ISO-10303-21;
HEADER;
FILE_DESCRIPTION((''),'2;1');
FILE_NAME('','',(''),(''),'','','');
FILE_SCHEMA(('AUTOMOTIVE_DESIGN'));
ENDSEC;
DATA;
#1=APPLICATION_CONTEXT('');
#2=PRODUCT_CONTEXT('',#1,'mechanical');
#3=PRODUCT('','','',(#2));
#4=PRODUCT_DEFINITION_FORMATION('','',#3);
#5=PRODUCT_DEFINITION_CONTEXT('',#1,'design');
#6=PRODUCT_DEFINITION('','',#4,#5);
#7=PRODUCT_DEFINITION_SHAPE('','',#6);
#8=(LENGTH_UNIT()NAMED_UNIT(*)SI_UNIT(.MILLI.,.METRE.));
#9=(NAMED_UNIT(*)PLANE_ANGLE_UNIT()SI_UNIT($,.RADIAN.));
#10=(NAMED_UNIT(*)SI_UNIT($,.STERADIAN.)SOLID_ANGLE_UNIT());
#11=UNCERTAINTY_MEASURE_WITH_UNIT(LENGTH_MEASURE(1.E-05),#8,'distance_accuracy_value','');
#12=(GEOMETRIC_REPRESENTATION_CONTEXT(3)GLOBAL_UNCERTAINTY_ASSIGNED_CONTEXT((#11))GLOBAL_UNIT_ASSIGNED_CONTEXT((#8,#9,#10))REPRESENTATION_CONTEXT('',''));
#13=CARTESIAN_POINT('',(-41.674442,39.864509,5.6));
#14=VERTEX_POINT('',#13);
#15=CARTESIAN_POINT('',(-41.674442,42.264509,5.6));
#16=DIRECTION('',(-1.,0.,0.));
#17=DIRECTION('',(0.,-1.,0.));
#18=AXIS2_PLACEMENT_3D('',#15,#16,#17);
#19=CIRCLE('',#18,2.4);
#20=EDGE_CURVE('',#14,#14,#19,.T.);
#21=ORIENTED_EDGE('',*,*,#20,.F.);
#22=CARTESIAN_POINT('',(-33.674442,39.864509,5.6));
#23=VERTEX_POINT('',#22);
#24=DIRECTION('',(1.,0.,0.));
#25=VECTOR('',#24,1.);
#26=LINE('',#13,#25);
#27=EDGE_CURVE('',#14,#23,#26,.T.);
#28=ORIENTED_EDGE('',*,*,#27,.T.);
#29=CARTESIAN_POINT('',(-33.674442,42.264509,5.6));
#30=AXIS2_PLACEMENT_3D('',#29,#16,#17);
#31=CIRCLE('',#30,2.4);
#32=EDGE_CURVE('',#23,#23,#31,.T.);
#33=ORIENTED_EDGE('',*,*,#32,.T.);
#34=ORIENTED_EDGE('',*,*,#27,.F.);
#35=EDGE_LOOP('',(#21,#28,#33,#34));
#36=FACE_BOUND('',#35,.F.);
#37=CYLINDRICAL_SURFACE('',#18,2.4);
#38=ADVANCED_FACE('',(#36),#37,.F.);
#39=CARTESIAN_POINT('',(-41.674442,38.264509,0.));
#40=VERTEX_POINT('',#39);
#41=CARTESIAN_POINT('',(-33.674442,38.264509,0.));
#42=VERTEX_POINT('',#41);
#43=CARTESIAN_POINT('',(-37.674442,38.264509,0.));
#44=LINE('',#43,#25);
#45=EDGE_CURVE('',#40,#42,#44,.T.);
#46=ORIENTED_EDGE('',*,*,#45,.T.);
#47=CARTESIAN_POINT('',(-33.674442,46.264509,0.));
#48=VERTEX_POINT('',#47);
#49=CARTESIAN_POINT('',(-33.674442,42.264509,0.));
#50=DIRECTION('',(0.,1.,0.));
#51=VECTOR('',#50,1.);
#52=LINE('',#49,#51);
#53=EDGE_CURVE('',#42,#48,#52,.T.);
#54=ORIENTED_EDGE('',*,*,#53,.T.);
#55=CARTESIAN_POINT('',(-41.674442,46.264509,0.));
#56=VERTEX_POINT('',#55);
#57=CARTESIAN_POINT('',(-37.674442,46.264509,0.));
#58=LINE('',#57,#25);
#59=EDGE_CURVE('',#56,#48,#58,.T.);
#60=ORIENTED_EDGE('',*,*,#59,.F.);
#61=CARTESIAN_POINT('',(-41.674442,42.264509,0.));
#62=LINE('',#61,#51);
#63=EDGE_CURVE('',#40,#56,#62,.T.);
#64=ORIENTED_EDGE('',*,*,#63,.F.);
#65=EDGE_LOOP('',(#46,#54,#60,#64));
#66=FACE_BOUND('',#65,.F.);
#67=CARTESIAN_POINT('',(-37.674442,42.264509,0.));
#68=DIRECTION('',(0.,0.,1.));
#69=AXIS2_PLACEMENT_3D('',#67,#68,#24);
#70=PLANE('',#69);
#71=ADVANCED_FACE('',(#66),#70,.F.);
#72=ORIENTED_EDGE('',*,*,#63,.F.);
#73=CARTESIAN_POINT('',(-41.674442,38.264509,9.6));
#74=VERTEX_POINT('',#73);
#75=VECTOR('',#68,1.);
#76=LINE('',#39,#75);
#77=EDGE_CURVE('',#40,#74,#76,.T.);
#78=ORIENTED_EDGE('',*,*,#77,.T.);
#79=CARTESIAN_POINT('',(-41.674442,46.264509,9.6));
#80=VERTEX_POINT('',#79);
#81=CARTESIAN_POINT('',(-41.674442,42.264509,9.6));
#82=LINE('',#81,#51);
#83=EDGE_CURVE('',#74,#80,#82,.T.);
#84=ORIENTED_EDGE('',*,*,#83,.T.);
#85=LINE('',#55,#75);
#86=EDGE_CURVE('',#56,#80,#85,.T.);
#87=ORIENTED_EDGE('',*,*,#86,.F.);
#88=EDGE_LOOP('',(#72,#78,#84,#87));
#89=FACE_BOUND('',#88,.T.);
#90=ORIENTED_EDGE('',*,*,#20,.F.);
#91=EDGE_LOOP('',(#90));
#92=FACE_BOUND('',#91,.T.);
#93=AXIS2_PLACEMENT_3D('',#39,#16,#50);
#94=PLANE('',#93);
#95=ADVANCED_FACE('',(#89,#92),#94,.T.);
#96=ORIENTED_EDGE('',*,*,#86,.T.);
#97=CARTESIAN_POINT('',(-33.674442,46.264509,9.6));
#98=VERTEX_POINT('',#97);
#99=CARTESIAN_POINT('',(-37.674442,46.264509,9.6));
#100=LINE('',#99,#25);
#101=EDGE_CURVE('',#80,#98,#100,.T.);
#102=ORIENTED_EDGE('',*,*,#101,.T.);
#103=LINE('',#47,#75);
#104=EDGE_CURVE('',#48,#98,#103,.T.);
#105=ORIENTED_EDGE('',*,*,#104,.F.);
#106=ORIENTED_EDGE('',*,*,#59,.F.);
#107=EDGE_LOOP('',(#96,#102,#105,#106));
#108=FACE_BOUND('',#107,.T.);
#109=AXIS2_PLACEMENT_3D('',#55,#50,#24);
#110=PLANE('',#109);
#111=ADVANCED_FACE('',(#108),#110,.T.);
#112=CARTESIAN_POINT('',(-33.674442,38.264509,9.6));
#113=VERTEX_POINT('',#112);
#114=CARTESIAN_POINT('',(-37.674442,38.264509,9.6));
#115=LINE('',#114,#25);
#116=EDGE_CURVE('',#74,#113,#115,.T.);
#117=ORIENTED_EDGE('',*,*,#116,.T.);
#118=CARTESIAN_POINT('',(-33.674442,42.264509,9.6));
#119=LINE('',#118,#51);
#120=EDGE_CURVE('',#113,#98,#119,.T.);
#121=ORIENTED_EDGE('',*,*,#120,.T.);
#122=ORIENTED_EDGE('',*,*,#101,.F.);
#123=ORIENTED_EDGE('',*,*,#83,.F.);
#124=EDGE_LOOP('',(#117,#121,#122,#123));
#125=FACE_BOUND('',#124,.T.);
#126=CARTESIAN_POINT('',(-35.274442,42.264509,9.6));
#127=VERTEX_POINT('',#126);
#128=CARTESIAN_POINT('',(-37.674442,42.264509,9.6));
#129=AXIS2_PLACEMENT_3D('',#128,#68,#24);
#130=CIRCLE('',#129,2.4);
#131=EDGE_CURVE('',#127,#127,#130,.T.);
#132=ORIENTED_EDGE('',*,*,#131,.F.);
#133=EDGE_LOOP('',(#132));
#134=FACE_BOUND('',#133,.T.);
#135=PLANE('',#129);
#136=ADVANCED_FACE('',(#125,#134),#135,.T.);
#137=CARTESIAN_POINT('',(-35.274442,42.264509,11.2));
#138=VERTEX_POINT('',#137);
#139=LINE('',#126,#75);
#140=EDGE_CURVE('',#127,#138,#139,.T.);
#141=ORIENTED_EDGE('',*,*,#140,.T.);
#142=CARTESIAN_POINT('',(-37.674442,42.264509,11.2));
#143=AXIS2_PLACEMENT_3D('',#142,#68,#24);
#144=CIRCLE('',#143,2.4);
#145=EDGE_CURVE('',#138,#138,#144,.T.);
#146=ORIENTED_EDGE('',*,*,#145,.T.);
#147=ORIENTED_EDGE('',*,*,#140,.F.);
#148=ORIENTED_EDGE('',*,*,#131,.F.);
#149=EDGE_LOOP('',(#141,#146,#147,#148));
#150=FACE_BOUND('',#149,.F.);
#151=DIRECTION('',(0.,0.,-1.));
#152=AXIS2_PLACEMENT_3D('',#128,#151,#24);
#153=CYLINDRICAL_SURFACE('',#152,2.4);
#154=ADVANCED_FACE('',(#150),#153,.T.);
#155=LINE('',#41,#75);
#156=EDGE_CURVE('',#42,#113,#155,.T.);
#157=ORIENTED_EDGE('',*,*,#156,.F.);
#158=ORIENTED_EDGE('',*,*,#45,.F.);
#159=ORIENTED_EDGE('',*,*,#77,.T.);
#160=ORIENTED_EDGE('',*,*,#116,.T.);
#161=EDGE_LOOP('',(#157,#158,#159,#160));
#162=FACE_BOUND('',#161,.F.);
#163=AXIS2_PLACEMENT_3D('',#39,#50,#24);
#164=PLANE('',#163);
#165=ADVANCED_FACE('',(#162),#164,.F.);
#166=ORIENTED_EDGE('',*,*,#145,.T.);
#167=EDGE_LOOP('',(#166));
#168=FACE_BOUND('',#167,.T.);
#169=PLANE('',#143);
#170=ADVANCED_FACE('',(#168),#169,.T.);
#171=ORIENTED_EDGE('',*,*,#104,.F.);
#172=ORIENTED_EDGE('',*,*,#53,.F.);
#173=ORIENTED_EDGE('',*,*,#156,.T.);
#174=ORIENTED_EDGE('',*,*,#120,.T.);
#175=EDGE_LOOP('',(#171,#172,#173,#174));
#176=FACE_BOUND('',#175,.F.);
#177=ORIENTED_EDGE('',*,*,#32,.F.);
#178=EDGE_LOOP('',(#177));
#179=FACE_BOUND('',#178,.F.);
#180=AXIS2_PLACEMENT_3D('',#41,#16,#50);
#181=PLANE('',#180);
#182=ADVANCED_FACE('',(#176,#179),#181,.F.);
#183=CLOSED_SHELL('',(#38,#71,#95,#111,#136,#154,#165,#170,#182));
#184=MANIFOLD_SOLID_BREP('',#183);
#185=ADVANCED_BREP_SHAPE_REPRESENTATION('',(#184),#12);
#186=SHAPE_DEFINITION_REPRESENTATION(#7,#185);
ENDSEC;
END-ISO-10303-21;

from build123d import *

# Parameters (mm, degrees)
F0_W     = 8
F0_H     = 8
F1_DEPTH = 9.6
F2_R     = 2.4
F3_DEPTH = 25
F4_R     = 2.4
F5_DEPTH = 1.6


with BuildPart() as f1:
    # F0 (on Top) → F1 (new body)
    with BuildSketch(Plane.XY):
        with Locations((-37.674442, 42.264509)):
            Rectangle(F0_W, F0_H)
    extrude(amount=F1_DEPTH)

    # F2 (on face) → F3 (cut)
    with BuildSketch(Plane(origin=(-41.674442, 0, 0), x_dir=(0, -1, 0), z_dir=(-1, 0, 0))):
        with Locations((-42.264509, 5.6)):
            Circle(F2_R)
    extrude(amount=-F3_DEPTH, mode=Mode.SUBTRACT)

    # F4 (on face) → F5 (join)
    with BuildSketch(Plane.XY.offset(9.6)):
        with Locations((-37.674442, 42.264509)):
            Circle(F4_R)
    extrude(amount=F5_DEPTH)


solid = f1.part
